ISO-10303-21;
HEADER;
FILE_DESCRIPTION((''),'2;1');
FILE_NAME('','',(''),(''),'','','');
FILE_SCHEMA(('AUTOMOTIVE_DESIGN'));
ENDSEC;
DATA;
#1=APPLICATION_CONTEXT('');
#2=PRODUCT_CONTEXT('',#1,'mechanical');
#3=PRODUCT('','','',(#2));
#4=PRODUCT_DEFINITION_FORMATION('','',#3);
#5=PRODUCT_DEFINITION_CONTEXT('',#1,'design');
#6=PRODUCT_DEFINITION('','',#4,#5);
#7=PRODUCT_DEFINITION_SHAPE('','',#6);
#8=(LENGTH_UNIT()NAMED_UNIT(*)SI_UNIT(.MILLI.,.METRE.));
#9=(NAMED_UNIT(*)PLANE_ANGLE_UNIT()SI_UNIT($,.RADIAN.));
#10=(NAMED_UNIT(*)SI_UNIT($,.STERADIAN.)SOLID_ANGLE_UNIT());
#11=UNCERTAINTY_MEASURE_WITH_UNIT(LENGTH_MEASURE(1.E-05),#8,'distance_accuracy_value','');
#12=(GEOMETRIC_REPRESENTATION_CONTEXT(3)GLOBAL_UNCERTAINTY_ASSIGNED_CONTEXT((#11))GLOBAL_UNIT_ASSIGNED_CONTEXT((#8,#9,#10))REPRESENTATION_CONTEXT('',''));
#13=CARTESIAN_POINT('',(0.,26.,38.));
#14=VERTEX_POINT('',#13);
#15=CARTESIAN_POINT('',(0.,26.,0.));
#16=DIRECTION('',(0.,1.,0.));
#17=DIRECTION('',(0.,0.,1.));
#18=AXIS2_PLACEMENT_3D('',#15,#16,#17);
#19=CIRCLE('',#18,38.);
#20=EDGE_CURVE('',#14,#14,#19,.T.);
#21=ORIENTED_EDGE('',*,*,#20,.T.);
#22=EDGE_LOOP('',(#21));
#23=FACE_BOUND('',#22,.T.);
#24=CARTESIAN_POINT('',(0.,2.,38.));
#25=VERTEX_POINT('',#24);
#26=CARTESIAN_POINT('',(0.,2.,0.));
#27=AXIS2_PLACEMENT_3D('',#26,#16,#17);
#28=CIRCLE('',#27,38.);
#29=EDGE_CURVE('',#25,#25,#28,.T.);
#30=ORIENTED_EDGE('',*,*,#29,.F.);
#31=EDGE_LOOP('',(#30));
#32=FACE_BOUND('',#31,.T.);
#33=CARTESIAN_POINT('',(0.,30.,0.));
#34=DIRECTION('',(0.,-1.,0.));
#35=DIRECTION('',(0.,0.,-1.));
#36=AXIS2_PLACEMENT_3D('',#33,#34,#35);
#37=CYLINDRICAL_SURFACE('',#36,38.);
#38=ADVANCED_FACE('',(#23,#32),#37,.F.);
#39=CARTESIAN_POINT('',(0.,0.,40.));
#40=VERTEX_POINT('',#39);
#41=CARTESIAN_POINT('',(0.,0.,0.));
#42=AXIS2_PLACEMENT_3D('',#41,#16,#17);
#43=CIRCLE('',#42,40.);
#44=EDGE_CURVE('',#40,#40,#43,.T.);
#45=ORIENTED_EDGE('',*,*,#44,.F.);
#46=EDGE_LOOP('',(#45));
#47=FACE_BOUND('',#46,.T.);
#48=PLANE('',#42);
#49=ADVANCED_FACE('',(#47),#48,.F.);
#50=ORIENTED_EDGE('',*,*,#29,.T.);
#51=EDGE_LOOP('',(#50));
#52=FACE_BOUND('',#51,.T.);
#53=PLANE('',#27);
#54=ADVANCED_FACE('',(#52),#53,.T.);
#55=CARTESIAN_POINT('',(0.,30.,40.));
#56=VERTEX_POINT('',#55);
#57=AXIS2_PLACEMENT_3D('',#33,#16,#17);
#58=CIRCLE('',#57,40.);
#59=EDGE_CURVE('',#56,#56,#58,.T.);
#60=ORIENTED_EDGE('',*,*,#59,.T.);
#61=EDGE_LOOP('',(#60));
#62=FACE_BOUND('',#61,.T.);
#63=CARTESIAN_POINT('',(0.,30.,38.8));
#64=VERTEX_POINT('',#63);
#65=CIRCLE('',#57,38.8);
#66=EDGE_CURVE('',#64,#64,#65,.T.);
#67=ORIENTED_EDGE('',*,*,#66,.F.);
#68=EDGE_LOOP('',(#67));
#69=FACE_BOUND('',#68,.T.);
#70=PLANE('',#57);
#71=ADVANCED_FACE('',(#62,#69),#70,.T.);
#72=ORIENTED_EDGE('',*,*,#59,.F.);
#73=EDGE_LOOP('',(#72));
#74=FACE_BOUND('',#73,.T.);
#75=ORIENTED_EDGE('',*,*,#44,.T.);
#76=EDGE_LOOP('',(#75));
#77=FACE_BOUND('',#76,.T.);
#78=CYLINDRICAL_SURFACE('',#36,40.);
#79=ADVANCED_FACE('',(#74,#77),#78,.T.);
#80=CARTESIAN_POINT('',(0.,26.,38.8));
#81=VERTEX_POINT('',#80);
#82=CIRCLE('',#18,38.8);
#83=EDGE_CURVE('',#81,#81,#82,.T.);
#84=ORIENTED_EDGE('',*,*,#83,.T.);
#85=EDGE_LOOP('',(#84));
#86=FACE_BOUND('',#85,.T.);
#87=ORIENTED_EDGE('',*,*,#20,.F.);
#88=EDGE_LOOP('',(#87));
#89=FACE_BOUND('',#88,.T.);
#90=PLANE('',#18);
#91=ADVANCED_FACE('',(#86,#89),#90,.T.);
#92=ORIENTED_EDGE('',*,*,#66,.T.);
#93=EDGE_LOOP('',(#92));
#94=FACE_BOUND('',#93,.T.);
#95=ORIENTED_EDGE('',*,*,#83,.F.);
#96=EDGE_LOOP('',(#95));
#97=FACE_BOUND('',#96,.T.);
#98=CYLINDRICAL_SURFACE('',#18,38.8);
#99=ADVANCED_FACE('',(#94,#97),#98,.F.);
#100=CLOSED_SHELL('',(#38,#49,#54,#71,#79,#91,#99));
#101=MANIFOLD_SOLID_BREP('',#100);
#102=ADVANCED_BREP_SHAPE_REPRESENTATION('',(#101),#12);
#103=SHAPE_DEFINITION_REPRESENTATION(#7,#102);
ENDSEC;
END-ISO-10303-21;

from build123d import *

# Parameters (mm, degrees)
SKETCH1_R           = 40
BOSS_EXTRUDE1_DEPTH = 30
SHELL1_T            = -2
SKETCH2_R           = 38.8
CUT_EXTRUDE1_DEPTH  = 4


with BuildPart() as part:
    # Sketch1 → Boss-Extrude1 (new body)
    with BuildSketch(Plane(origin=(0, 0, 0), x_dir=(1, 0, 0), z_dir=(0, 1, 0))):
        with Locations(Location((0, 0, 0), (0, 0, 270))):
            Circle(SKETCH1_R)
    extrude(amount=BOSS_EXTRUDE1_DEPTH)

    # Shell1
    shell1_openings = [part.faces().sort_by_distance(p)[0] for p in [
        (0, 30, 0),
    ]]
    offset(amount=SHELL1_T, openings=shell1_openings, kind=Kind.INTERSECTION)

    # Sketch2 → Cut-Extrude1 (cut)
    with BuildSketch(Plane(origin=(0, 30, 0), x_dir=(1, 0, 0), z_dir=(0, 1, 0))):
        with Locations(Location((0, 0, 0), (0, 0, 270))):
            Circle(SKETCH2_R)
    extrude(amount=-CUT_EXTRUDE1_DEPTH, mode=Mode.SUBTRACT)


solid = part.part
